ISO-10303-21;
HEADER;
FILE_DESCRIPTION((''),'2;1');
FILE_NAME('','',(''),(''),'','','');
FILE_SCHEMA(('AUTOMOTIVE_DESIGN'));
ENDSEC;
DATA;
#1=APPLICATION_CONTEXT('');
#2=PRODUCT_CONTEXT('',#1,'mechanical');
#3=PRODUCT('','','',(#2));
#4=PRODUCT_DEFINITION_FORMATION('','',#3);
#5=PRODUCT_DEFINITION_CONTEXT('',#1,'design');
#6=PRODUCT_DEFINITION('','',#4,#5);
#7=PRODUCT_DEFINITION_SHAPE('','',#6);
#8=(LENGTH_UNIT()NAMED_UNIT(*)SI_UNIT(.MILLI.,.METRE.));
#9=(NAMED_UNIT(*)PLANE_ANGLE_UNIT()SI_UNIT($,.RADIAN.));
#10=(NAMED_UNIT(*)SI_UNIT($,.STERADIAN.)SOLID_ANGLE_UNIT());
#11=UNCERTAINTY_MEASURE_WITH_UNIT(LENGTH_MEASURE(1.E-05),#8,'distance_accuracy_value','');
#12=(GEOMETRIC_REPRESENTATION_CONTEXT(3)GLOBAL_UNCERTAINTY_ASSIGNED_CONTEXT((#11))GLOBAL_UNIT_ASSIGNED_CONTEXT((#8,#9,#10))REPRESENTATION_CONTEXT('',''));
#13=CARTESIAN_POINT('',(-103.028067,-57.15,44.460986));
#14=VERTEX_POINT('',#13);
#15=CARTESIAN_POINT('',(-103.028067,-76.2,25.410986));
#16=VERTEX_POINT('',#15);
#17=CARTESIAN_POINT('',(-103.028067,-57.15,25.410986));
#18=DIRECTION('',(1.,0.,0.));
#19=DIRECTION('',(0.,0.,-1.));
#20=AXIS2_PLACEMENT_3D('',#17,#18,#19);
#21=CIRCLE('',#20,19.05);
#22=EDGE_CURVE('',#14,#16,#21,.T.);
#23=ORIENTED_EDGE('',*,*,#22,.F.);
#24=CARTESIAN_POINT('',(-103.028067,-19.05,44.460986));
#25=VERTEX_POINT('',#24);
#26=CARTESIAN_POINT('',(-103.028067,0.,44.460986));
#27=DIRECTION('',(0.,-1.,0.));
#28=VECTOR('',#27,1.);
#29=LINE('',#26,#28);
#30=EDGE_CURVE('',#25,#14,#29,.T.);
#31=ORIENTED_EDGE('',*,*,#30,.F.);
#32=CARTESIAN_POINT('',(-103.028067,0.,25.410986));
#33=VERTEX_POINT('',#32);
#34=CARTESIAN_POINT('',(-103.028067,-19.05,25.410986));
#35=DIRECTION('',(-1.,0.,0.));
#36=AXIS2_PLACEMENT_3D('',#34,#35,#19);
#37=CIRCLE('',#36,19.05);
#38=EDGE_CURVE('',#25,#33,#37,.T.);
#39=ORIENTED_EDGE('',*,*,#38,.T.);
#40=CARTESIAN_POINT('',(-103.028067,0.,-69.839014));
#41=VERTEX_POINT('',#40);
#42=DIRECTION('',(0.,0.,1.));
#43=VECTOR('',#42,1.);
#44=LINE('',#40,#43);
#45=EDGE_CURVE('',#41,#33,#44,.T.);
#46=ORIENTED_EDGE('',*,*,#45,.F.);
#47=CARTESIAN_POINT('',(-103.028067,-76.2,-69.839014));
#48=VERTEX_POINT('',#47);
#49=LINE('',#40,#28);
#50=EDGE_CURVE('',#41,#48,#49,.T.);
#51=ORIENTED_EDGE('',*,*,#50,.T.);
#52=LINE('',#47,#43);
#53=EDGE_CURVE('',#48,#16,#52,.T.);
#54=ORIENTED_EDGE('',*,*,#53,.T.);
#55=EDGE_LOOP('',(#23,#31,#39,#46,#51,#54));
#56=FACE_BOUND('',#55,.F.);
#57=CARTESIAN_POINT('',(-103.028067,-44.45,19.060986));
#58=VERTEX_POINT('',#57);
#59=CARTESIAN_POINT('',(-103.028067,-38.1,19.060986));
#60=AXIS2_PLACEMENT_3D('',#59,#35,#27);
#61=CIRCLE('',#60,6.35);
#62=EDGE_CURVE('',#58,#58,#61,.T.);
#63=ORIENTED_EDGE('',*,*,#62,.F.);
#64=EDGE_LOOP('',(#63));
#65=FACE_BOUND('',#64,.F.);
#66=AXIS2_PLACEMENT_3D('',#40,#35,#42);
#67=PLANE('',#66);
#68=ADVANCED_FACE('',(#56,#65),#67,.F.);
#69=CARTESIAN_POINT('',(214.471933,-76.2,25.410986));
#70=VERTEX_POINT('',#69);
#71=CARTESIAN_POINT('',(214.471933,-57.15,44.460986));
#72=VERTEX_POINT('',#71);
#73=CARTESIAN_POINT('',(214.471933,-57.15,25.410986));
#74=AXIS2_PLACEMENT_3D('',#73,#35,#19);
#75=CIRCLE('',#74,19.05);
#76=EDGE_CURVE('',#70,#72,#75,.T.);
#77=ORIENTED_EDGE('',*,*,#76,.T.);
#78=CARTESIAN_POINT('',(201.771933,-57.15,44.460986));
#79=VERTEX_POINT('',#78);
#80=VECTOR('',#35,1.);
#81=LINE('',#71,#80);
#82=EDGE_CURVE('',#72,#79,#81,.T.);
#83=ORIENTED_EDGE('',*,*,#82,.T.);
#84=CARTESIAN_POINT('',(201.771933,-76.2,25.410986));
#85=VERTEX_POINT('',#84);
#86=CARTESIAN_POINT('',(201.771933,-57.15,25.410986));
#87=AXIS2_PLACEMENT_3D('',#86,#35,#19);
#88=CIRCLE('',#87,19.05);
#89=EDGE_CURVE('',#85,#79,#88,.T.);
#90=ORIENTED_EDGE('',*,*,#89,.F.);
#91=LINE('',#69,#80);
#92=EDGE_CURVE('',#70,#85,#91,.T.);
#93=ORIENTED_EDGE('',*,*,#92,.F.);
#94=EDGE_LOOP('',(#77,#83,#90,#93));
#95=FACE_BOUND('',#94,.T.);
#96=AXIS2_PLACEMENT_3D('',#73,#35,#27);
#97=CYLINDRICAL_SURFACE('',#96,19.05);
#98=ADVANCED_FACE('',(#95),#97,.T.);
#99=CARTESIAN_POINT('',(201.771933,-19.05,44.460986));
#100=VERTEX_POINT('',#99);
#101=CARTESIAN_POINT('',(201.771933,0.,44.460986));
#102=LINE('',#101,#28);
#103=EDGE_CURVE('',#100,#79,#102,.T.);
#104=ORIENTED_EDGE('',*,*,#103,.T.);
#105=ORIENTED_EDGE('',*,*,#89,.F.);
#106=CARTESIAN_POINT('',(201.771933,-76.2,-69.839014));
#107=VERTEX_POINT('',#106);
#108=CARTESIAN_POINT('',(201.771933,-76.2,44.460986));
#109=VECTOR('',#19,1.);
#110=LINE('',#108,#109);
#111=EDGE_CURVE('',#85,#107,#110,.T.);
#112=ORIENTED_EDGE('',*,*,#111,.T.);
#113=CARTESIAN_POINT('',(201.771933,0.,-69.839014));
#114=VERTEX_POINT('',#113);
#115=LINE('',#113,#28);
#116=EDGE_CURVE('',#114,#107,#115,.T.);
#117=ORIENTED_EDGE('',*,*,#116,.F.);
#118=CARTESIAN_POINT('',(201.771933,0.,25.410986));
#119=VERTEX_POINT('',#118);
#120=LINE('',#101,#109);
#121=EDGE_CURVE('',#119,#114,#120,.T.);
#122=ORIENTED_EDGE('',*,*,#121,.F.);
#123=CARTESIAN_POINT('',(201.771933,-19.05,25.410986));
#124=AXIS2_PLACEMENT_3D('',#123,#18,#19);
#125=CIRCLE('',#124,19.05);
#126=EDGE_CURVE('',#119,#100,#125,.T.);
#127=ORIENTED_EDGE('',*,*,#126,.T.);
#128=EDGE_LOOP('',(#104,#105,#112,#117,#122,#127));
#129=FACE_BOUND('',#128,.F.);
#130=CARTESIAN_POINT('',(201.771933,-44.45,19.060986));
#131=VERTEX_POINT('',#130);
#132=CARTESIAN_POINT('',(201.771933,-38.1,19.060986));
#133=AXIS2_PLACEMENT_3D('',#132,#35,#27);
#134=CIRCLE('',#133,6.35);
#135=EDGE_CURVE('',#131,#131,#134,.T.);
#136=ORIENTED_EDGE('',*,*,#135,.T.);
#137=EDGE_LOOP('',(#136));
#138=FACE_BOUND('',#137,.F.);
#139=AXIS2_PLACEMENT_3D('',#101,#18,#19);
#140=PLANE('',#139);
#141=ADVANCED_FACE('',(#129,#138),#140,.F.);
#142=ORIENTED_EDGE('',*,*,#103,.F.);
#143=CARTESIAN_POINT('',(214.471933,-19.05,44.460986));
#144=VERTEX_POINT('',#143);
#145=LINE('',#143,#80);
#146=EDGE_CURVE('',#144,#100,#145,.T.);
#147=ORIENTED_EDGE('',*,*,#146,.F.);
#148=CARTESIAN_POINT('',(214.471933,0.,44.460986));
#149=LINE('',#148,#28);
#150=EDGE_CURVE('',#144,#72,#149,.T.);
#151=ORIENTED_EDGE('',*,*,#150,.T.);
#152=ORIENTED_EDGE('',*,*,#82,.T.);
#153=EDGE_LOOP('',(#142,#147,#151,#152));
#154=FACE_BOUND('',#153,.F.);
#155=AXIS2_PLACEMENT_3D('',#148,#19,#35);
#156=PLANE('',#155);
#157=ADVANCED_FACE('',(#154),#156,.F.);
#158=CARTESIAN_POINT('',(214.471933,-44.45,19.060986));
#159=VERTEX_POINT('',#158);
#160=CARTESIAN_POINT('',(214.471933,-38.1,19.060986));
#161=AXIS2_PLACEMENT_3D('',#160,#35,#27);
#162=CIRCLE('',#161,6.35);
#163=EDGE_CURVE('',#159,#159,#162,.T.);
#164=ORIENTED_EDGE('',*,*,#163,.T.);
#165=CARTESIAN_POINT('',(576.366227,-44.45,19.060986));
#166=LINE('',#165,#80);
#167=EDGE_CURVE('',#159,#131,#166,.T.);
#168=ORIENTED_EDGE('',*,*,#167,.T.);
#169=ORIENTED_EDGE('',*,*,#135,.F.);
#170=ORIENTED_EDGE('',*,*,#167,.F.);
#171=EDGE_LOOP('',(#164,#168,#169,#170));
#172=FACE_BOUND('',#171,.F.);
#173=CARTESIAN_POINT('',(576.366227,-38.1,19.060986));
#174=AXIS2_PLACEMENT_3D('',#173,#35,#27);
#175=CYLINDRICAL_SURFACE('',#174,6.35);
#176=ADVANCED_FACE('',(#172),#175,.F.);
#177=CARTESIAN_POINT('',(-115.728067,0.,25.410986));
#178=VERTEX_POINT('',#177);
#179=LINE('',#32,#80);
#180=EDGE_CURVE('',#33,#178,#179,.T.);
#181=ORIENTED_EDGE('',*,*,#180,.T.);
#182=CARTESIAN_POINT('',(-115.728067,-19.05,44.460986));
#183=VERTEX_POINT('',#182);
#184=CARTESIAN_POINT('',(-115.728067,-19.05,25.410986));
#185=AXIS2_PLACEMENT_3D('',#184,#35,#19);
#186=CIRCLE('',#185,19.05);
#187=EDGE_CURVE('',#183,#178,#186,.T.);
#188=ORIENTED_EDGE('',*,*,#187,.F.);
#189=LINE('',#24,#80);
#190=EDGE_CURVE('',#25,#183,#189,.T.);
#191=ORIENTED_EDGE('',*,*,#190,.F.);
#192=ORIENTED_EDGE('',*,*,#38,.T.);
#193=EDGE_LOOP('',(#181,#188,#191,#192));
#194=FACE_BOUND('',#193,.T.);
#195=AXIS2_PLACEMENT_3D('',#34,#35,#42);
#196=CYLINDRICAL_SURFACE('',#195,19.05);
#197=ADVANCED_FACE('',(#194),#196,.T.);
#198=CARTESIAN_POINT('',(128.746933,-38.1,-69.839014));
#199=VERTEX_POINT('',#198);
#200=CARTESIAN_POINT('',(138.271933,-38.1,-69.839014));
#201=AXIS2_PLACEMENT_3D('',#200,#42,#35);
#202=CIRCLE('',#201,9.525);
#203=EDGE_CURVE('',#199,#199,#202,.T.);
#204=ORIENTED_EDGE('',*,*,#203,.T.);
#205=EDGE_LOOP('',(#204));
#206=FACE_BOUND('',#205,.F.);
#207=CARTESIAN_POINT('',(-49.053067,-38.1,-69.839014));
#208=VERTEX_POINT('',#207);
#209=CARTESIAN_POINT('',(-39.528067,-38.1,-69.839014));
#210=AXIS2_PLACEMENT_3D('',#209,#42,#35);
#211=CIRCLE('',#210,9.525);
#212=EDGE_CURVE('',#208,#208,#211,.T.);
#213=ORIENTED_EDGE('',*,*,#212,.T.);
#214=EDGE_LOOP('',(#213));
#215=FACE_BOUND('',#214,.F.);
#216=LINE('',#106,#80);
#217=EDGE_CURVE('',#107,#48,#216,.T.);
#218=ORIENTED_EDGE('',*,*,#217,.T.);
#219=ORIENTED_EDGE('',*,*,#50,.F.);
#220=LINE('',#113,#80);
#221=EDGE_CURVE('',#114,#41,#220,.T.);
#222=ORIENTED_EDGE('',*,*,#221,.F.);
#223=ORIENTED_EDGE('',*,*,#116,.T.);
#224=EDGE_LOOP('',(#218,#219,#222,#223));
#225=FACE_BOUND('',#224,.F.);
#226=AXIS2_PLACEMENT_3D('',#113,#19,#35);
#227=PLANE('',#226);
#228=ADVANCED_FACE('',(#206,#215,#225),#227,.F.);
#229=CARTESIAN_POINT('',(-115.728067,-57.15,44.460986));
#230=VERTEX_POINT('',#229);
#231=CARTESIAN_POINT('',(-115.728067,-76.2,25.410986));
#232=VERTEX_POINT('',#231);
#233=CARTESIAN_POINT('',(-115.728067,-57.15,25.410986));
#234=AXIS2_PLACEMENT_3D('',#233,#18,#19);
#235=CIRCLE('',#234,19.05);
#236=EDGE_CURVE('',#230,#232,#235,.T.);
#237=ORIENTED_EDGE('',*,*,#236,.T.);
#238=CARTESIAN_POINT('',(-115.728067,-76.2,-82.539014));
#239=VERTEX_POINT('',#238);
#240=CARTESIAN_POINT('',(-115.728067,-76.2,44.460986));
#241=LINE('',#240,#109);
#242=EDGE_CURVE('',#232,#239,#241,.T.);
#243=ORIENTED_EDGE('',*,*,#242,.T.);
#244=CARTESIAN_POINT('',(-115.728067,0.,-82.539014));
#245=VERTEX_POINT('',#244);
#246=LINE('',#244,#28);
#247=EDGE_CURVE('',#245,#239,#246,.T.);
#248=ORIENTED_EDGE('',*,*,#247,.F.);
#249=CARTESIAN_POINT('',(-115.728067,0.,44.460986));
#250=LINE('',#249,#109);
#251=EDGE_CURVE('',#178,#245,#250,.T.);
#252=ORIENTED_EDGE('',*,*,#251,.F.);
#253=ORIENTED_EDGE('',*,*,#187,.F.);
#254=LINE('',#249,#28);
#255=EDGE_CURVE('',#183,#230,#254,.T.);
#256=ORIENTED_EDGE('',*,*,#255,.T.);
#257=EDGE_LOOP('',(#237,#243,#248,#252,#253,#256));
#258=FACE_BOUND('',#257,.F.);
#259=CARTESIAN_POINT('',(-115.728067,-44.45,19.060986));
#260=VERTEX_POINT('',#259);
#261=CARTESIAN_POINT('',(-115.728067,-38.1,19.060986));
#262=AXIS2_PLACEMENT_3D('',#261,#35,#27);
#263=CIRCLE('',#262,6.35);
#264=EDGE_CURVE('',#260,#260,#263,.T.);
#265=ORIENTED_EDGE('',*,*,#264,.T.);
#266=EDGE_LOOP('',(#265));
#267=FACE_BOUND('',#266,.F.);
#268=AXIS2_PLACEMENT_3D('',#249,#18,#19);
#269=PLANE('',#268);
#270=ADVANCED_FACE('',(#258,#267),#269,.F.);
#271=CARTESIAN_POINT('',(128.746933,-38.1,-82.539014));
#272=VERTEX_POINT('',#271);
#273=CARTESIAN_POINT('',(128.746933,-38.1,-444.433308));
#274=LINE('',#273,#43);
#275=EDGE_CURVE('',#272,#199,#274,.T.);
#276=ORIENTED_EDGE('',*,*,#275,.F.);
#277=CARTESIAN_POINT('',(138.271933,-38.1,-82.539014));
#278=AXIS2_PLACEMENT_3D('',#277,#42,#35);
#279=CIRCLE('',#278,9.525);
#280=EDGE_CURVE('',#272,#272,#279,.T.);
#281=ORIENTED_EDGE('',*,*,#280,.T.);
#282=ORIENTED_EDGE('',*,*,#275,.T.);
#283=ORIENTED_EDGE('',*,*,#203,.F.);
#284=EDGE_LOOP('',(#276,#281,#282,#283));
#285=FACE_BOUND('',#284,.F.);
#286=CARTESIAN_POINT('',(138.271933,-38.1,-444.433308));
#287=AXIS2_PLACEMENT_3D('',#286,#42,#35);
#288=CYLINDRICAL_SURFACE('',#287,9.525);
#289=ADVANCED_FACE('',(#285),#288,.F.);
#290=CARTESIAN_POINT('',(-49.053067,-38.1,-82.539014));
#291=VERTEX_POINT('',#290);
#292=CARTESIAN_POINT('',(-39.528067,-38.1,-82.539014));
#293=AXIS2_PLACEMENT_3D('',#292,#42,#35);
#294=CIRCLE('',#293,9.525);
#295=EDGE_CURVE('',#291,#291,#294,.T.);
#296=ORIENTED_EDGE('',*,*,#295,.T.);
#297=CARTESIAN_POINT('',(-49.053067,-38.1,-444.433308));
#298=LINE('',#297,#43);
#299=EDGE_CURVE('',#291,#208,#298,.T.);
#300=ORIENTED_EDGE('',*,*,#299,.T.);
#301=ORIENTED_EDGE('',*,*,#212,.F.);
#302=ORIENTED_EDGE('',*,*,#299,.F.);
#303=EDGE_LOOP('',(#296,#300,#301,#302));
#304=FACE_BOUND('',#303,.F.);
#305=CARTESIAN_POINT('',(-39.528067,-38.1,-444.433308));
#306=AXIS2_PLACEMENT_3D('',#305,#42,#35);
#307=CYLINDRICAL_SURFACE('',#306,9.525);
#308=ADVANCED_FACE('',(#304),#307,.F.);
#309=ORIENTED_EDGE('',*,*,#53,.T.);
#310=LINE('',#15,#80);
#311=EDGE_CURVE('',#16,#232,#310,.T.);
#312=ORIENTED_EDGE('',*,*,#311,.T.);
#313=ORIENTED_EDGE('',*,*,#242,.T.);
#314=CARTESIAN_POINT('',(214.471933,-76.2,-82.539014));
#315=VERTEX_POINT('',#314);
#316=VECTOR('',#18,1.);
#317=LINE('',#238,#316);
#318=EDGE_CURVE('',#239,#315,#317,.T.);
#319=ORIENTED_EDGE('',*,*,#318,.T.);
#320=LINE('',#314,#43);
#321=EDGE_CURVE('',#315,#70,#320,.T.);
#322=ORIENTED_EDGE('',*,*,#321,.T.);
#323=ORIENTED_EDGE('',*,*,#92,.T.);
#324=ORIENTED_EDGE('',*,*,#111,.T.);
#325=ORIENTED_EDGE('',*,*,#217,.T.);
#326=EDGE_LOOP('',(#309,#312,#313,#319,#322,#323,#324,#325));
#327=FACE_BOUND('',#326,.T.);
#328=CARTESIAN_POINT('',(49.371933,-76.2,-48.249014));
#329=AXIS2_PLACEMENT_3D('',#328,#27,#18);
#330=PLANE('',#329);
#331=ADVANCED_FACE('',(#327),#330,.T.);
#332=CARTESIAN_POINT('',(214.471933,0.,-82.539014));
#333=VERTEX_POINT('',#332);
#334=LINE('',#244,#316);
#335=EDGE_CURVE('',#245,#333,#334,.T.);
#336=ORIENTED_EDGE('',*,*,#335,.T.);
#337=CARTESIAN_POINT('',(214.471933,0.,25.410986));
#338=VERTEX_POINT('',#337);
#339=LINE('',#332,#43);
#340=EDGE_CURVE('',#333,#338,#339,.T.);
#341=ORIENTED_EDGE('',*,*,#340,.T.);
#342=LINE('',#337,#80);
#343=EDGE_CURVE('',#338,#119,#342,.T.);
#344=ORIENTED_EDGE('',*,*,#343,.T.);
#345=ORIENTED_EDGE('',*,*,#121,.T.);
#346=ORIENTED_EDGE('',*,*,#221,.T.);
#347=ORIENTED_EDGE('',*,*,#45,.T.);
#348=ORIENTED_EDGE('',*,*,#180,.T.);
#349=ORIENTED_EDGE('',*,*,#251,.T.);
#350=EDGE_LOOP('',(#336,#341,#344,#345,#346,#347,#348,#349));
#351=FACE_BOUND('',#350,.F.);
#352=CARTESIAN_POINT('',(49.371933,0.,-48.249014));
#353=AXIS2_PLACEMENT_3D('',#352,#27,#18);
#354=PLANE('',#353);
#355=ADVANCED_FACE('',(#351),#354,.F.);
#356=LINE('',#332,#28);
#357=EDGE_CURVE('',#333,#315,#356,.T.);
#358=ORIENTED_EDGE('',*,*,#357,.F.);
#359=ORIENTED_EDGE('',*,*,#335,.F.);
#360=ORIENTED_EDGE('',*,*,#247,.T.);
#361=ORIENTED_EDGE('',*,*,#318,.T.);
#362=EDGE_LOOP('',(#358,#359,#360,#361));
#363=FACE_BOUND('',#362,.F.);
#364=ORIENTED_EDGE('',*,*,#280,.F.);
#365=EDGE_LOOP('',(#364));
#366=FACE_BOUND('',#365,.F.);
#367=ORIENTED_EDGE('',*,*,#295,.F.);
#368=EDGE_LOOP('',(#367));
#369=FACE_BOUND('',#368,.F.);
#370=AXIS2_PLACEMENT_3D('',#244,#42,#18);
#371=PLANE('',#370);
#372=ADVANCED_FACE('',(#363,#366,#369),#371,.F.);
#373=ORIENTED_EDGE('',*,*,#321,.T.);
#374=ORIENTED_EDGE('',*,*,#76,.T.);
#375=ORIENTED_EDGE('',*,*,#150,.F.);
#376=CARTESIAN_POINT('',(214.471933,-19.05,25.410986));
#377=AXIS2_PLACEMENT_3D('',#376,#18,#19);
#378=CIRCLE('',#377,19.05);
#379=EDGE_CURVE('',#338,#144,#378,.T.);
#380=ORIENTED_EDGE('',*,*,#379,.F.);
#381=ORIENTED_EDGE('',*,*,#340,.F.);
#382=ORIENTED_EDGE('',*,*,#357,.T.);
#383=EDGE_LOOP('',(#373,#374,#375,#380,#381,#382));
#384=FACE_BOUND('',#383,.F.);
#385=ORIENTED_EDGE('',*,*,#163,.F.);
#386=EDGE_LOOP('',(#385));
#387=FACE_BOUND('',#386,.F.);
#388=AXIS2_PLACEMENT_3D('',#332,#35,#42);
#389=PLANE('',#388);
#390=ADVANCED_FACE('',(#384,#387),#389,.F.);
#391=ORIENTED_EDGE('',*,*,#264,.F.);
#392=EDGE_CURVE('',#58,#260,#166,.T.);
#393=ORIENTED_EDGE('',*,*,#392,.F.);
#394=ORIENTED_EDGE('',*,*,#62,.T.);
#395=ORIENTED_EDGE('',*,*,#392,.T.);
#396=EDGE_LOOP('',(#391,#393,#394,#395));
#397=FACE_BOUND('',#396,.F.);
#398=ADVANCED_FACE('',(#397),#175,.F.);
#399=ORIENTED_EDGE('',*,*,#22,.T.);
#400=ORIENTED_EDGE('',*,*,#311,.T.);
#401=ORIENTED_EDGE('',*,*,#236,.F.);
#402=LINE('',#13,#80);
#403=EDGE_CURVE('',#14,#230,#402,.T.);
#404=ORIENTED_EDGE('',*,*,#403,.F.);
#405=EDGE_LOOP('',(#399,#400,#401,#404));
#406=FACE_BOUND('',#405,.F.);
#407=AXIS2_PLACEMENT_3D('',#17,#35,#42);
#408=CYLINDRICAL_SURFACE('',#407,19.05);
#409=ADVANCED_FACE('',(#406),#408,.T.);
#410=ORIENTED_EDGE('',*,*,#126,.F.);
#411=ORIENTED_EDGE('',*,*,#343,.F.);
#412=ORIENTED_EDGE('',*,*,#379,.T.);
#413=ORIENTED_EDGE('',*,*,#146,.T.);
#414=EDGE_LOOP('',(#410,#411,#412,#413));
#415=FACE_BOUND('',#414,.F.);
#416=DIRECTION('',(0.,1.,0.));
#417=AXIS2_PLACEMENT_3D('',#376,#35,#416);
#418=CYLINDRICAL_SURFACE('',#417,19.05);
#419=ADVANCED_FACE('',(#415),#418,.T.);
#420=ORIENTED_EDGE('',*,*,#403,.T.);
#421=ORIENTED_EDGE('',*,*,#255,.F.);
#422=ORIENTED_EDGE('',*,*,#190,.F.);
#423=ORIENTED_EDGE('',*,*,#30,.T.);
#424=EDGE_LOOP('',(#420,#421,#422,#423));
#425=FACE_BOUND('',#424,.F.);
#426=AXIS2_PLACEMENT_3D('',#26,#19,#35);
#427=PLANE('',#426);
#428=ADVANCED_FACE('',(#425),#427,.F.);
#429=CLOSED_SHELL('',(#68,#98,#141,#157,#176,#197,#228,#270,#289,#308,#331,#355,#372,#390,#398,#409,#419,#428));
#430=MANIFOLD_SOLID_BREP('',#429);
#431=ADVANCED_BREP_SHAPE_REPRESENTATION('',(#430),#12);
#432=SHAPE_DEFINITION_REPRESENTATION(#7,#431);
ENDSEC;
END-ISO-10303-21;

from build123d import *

# Parameters (mm, degrees)
F1_DEPTH = 76.2
F3_D     = 12.7
F4_R     = 19.05
F6_D     = 19.05


with BuildPart() as f1:
    # F0 (on Front) → F1 (new body)
    with BuildSketch(Plane.XZ):
        Polygon((-103.028067, 44.460986), (-115.728067, 44.460986), (-115.728067, -82.539014), (214.471933, -82.539014), (214.471933, 44.460986), (201.771933, 44.460986), (201.771933, -69.839014), (-103.028067, -69.839014), align=None)
    extrude(amount=F1_DEPTH)

    # F3 (through all)
    with Locations(Plane.YZ.offset(214.471933)):
        with Locations((-38.1, 19.060986)):
            Hole(F3_D / 2)

    # F4
    f4_edges = [f1.edges().sort_by_distance(p)[0] for p in [
        (208.121933, -76.2, 44.460986),
        (208.121933, 0, 44.460986),
        (-109.378067, -76.2, 44.460986),
        (-109.378067, 0, 44.460986),
    ]]
    fillet(f4_edges, radius=F4_R)

    # F6 (through all)
    with Locations(Plane(origin=(0, 0, -82.539014), x_dir=(1, 0, 0), z_dir=(0, 0, -1))):
        with Locations((-39.528067, 38.1), (138.271933, 38.1)):
            Hole(F6_D / 2)


solid = f1.part
